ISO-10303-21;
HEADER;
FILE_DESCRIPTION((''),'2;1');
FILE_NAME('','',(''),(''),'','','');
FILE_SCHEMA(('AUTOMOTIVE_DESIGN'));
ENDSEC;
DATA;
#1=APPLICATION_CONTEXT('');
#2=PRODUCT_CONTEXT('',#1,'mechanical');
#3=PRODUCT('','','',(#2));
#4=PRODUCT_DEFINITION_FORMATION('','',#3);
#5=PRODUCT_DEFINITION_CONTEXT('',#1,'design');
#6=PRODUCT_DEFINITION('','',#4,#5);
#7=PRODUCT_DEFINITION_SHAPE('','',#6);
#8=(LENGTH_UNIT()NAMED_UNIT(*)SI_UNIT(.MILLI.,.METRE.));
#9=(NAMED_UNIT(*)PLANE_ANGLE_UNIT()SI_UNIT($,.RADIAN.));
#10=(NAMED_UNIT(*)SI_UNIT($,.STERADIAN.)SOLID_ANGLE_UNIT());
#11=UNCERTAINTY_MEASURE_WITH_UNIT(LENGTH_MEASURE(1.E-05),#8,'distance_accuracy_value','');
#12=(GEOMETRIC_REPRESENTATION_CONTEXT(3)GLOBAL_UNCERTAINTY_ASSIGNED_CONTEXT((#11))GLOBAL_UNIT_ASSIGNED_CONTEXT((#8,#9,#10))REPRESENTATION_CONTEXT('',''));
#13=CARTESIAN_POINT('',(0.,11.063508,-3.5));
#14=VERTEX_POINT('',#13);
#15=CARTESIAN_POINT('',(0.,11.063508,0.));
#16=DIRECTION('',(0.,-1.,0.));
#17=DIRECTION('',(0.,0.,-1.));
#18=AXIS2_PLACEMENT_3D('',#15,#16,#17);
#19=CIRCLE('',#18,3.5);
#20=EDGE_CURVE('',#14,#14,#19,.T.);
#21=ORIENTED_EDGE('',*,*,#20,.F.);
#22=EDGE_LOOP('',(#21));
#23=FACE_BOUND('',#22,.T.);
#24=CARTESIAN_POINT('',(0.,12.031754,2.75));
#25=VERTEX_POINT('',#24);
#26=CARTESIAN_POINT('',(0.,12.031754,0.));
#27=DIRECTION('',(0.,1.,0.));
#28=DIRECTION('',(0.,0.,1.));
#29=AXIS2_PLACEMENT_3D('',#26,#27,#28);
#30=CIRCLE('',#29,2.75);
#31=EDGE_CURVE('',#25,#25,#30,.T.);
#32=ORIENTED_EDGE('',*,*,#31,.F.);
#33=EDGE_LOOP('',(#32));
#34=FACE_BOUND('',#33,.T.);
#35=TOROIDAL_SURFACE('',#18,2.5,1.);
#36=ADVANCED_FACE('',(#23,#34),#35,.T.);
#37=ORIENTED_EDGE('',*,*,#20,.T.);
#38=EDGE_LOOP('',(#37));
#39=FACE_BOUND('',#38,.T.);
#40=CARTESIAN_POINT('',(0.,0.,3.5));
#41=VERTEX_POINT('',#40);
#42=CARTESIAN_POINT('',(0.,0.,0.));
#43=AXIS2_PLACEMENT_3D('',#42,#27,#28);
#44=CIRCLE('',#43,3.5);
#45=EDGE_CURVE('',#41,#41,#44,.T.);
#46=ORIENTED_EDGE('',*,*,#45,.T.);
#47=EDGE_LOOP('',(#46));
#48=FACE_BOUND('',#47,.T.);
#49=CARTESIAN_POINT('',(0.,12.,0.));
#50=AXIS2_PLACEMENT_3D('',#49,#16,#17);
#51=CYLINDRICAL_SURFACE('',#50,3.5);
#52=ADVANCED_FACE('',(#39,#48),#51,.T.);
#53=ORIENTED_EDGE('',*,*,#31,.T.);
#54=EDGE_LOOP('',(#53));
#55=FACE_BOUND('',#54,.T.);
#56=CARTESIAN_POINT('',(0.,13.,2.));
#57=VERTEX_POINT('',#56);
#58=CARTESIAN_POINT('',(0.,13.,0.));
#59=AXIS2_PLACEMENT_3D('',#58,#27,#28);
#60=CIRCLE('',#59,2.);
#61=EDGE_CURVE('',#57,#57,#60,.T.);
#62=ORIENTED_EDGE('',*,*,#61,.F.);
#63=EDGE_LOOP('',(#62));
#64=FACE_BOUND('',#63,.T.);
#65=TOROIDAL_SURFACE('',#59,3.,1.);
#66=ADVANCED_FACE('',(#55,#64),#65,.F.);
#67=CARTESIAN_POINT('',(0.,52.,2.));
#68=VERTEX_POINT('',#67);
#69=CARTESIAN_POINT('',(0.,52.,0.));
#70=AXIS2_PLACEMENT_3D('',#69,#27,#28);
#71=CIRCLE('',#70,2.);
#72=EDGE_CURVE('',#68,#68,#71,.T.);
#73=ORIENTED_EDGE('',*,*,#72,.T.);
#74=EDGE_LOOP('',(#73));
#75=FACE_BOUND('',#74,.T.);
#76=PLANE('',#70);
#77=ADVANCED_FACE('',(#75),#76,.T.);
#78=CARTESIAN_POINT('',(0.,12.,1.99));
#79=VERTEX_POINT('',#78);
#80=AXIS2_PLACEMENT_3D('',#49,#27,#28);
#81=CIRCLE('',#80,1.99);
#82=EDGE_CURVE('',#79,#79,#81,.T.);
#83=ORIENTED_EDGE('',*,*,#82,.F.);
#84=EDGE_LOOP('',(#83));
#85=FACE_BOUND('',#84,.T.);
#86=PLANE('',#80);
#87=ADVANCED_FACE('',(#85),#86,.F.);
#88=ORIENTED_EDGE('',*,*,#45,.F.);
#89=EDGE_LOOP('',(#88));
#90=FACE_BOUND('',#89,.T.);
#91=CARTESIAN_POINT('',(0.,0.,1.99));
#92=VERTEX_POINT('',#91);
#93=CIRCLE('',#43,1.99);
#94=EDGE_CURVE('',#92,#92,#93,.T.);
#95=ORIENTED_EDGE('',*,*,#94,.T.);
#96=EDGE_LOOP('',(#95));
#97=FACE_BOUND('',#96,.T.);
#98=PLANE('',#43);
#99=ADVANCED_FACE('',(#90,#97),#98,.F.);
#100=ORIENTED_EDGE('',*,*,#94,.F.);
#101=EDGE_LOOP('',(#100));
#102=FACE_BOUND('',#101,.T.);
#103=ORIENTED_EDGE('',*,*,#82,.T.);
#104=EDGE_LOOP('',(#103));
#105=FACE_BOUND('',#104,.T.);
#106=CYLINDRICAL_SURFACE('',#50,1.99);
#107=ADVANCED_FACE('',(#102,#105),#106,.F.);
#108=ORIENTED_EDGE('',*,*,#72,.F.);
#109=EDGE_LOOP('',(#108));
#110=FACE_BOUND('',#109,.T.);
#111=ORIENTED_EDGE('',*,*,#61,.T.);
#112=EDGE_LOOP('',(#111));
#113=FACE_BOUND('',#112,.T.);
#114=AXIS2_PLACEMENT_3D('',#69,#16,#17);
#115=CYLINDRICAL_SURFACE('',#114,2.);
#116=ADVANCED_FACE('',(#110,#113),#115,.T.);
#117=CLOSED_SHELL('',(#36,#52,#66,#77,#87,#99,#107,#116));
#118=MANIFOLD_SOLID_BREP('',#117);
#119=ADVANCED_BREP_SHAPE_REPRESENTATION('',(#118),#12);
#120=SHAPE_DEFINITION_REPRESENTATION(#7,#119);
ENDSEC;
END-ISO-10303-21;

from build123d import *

# Parameters (mm, degrees)
SKETCH_1_R      = 3.5
SKETCH_1_R_2    = 1.99
EXTRUDE_1_DEPTH = 12
SKETCH_2_R      = 2
EXTRUDE_2_DEPTH = 40
FILLET_1_R      = 1
FILLET_2_R      = 1


with BuildPart() as part:
    # Эскиз1 → Вытянуть1 (new body)
    with BuildSketch(Plane(origin=(0, 0, 0), x_dir=(1, 0, 0), z_dir=(0, 1, 0))):
        with Locations(Location((0, 0, 0), (0, 0, 270))):
            Circle(SKETCH_1_R)
        with Locations(Location((0, 0, 0), (0, 0, 270))):
            Circle(SKETCH_1_R_2, mode=Mode.SUBTRACT)
    extrude(amount=EXTRUDE_1_DEPTH)

    # Эскиз2 → Вытянуть2 (add)
    with BuildSketch(Plane(origin=(0, 12, 0), x_dir=(1, 0, 0), z_dir=(0, 1, 0))):
        with Locations(Location((0, 0, 0), (0, 0, 270))):
            Circle(SKETCH_2_R)
    extrude(amount=EXTRUDE_2_DEPTH)

    # Скругление1
    fillet_1_edges = [part.edges().sort_by_distance(p)[0] for p in [
        (0, 12, -2),
    ]]
    fillet(fillet_1_edges, radius=FILLET_1_R)

    # Скругление2
    fillet_2_edges = [part.edges().sort_by_distance(p)[0] for p in [
        (0, 12, -3.5),
    ]]
    fillet(fillet_2_edges, radius=FILLET_2_R)


solid = part.part
